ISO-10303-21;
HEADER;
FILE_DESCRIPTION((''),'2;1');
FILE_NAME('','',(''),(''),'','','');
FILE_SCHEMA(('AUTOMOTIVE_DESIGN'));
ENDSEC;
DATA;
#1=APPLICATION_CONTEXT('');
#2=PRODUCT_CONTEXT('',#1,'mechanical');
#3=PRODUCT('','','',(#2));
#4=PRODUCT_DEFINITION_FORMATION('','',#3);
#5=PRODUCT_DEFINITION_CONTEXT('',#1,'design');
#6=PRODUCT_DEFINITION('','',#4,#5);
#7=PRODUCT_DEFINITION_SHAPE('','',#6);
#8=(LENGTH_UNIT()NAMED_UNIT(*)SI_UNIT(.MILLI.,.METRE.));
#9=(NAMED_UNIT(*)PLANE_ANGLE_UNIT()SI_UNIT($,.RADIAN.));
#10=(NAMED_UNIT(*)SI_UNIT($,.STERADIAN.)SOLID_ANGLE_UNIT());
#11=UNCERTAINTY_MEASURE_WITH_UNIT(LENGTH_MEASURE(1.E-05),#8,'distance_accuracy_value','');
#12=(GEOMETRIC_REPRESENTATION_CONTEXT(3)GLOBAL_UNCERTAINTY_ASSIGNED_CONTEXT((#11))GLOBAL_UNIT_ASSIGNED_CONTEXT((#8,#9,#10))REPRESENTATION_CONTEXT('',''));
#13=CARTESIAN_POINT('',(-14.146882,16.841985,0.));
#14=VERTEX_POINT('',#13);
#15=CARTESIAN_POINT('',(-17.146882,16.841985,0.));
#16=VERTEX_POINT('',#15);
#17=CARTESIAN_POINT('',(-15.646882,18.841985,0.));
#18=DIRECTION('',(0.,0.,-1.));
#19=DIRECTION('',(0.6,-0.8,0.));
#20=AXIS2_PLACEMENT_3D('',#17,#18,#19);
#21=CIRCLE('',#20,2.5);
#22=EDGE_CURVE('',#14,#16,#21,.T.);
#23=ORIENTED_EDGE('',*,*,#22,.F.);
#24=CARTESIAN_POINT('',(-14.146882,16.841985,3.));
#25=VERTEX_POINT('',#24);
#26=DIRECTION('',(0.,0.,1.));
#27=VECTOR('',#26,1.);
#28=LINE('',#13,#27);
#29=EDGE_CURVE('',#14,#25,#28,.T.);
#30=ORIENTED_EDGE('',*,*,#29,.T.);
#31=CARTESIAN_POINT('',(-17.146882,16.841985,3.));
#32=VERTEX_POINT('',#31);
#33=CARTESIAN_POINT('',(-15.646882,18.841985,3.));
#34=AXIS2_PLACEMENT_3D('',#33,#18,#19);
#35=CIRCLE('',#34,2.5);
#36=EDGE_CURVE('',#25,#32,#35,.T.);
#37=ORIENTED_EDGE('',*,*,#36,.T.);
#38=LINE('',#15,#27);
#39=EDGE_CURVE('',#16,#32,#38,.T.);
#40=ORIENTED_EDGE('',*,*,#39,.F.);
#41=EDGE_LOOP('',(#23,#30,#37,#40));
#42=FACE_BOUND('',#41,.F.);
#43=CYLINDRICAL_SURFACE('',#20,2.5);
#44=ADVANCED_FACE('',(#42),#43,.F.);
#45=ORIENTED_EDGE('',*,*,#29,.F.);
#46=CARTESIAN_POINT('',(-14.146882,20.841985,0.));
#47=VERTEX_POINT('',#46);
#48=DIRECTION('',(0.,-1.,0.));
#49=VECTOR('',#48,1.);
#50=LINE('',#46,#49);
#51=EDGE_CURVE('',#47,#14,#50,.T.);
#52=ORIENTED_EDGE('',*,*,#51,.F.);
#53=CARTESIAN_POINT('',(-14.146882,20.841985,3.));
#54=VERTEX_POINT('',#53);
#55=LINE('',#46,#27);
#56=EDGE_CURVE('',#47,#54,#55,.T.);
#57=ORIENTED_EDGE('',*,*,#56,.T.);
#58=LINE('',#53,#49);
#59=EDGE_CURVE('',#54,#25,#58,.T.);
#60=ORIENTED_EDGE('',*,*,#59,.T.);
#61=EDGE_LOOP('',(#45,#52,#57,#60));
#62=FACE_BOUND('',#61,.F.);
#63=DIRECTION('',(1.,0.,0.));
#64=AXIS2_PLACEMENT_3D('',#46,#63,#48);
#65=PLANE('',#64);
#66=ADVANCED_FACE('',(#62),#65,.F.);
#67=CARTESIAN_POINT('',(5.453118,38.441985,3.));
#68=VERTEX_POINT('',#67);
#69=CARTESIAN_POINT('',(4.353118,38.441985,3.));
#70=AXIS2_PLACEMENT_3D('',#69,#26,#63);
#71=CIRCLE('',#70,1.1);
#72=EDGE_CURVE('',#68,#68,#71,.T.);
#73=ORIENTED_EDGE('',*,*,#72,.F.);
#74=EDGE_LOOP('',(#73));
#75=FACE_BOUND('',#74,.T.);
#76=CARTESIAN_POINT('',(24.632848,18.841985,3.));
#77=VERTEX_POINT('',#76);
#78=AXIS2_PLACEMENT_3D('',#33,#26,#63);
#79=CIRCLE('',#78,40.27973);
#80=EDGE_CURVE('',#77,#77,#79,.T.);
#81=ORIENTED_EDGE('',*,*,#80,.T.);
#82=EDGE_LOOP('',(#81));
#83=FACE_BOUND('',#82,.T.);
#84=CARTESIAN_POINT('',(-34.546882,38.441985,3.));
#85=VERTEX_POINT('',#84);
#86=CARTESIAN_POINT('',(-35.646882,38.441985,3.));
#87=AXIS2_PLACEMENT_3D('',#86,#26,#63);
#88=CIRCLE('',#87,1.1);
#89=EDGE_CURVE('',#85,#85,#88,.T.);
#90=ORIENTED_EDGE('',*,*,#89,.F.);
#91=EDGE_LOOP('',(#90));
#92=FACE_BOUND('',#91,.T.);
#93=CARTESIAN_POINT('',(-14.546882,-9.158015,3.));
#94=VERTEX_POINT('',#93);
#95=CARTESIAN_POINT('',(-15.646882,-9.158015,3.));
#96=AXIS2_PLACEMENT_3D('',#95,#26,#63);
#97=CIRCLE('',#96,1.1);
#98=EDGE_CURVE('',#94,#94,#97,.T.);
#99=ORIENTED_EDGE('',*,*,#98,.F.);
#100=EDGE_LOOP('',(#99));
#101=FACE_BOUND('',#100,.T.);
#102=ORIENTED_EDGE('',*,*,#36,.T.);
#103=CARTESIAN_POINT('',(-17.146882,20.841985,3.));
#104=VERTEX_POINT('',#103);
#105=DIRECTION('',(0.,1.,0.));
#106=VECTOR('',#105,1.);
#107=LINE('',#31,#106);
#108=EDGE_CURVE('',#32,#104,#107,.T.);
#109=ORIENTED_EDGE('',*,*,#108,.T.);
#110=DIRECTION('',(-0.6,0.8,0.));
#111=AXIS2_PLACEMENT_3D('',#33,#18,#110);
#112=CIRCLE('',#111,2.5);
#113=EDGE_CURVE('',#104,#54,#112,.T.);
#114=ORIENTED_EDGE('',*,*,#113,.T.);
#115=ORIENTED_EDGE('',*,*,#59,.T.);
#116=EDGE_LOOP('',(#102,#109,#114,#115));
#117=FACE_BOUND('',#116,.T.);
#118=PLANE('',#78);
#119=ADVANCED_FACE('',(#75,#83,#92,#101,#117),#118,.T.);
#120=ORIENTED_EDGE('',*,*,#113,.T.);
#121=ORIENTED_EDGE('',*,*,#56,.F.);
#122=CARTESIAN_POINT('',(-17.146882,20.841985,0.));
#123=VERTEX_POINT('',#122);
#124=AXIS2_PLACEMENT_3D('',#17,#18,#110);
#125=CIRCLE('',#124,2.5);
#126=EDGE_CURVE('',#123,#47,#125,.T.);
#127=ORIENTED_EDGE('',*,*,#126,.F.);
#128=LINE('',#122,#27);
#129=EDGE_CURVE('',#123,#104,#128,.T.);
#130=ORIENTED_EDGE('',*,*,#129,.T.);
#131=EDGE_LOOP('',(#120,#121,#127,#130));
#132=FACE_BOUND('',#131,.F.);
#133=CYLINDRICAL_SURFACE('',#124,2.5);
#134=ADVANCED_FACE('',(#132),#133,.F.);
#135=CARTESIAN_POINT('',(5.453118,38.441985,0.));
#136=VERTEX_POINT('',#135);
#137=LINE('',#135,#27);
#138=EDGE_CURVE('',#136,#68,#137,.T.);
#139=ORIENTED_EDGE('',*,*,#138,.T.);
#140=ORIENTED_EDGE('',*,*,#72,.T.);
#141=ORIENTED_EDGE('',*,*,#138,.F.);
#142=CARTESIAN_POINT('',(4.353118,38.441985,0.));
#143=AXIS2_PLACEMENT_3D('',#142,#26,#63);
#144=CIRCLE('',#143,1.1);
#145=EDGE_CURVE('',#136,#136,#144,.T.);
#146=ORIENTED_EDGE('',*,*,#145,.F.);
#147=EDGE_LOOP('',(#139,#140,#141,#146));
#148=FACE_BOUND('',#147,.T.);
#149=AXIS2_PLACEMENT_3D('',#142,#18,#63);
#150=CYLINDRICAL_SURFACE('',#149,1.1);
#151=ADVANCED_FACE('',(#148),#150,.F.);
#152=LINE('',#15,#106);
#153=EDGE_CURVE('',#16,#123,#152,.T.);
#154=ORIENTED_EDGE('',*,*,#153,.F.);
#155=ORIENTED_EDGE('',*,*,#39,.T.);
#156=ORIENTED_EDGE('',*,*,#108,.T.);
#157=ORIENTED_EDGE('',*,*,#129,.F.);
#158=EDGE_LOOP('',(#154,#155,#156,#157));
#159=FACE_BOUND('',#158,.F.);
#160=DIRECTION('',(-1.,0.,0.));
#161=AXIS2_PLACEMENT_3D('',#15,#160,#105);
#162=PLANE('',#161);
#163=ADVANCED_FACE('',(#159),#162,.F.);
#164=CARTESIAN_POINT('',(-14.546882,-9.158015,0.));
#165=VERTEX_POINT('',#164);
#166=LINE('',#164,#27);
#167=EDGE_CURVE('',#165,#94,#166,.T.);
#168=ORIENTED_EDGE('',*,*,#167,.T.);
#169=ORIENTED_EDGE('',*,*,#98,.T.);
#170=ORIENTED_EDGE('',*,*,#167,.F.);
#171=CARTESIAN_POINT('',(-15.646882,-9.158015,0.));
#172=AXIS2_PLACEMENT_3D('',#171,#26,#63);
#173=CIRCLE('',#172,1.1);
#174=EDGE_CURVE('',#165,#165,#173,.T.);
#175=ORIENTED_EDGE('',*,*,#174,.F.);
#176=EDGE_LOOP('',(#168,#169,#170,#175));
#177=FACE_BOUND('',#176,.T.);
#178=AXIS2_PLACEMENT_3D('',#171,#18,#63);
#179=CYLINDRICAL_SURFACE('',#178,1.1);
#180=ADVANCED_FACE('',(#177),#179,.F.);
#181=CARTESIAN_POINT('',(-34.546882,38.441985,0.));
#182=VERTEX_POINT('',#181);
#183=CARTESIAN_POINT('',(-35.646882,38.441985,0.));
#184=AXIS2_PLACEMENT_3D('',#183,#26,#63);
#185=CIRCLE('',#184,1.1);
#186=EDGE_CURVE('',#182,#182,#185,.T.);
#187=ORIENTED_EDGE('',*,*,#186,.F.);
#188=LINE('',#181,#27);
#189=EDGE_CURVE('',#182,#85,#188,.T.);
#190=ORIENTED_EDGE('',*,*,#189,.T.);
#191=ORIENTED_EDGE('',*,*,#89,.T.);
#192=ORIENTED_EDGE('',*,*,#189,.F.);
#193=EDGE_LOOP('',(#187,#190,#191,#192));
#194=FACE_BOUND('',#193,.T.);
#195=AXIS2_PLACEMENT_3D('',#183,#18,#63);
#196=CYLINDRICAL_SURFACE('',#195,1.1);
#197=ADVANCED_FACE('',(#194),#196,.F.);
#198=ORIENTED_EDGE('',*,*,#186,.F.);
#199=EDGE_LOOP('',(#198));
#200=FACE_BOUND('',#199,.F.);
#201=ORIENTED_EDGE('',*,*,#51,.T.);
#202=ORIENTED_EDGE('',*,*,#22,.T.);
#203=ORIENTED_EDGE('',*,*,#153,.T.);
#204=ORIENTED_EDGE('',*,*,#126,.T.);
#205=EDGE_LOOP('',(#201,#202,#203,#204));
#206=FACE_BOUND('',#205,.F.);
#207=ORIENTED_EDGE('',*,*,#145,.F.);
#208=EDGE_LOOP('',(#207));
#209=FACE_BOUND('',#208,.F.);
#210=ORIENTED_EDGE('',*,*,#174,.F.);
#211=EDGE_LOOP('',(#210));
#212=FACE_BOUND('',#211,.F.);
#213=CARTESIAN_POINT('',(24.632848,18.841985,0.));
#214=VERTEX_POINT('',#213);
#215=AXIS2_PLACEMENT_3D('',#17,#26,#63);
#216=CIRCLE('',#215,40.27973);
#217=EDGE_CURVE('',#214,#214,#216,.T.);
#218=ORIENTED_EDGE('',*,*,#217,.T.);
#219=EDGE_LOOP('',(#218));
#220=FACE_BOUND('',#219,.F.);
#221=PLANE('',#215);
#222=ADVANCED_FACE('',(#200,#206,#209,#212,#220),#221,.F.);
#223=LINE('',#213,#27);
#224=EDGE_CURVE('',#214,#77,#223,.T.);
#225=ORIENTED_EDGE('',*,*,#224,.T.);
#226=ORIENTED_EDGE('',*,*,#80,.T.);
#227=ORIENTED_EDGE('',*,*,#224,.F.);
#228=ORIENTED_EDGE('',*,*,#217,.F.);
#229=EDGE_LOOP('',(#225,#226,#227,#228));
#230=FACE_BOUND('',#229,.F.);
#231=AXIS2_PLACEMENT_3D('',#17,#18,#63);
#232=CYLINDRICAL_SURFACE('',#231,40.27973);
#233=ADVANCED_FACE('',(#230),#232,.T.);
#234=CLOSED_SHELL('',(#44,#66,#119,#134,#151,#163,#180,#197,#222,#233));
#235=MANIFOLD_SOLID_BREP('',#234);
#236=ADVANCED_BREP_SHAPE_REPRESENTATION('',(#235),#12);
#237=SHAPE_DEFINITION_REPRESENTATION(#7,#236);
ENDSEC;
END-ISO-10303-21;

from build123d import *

# Parameters (mm, degrees)
F0_R     = 40.27973
F0_R_2   = 1.1
F1_DEPTH = 3


with BuildPart() as f1:
    # F0 (on Top) → F1 (new body)
    with BuildSketch(Plane.XY):
        with Locations((-15.646882, 18.841985)):
            Circle(F0_R)
        with Locations((-15.646882, -9.158015)):
            Circle(F0_R_2, mode=Mode.SUBTRACT)
        with Locations((-35.646882, 38.441985)):
            Circle(F0_R_2, mode=Mode.SUBTRACT)
        with BuildLine():
            Line((-14.146882, 20.841985), (-14.146882, 16.841985))
            ThreePointArc((-14.146882, 16.841985), (-15.646882, 16.341985), (-17.146882, 16.841985))
            Line((-17.146882, 16.841985), (-17.146882, 20.841985))
            ThreePointArc((-17.146882, 20.841985), (-15.646882, 21.341985), (-14.146882, 20.841985))
        make_face(mode=Mode.SUBTRACT)
        with Locations((4.353118, 38.441985)):
            Circle(F0_R_2, mode=Mode.SUBTRACT)
    extrude(amount=F1_DEPTH)


solid = f1.part
